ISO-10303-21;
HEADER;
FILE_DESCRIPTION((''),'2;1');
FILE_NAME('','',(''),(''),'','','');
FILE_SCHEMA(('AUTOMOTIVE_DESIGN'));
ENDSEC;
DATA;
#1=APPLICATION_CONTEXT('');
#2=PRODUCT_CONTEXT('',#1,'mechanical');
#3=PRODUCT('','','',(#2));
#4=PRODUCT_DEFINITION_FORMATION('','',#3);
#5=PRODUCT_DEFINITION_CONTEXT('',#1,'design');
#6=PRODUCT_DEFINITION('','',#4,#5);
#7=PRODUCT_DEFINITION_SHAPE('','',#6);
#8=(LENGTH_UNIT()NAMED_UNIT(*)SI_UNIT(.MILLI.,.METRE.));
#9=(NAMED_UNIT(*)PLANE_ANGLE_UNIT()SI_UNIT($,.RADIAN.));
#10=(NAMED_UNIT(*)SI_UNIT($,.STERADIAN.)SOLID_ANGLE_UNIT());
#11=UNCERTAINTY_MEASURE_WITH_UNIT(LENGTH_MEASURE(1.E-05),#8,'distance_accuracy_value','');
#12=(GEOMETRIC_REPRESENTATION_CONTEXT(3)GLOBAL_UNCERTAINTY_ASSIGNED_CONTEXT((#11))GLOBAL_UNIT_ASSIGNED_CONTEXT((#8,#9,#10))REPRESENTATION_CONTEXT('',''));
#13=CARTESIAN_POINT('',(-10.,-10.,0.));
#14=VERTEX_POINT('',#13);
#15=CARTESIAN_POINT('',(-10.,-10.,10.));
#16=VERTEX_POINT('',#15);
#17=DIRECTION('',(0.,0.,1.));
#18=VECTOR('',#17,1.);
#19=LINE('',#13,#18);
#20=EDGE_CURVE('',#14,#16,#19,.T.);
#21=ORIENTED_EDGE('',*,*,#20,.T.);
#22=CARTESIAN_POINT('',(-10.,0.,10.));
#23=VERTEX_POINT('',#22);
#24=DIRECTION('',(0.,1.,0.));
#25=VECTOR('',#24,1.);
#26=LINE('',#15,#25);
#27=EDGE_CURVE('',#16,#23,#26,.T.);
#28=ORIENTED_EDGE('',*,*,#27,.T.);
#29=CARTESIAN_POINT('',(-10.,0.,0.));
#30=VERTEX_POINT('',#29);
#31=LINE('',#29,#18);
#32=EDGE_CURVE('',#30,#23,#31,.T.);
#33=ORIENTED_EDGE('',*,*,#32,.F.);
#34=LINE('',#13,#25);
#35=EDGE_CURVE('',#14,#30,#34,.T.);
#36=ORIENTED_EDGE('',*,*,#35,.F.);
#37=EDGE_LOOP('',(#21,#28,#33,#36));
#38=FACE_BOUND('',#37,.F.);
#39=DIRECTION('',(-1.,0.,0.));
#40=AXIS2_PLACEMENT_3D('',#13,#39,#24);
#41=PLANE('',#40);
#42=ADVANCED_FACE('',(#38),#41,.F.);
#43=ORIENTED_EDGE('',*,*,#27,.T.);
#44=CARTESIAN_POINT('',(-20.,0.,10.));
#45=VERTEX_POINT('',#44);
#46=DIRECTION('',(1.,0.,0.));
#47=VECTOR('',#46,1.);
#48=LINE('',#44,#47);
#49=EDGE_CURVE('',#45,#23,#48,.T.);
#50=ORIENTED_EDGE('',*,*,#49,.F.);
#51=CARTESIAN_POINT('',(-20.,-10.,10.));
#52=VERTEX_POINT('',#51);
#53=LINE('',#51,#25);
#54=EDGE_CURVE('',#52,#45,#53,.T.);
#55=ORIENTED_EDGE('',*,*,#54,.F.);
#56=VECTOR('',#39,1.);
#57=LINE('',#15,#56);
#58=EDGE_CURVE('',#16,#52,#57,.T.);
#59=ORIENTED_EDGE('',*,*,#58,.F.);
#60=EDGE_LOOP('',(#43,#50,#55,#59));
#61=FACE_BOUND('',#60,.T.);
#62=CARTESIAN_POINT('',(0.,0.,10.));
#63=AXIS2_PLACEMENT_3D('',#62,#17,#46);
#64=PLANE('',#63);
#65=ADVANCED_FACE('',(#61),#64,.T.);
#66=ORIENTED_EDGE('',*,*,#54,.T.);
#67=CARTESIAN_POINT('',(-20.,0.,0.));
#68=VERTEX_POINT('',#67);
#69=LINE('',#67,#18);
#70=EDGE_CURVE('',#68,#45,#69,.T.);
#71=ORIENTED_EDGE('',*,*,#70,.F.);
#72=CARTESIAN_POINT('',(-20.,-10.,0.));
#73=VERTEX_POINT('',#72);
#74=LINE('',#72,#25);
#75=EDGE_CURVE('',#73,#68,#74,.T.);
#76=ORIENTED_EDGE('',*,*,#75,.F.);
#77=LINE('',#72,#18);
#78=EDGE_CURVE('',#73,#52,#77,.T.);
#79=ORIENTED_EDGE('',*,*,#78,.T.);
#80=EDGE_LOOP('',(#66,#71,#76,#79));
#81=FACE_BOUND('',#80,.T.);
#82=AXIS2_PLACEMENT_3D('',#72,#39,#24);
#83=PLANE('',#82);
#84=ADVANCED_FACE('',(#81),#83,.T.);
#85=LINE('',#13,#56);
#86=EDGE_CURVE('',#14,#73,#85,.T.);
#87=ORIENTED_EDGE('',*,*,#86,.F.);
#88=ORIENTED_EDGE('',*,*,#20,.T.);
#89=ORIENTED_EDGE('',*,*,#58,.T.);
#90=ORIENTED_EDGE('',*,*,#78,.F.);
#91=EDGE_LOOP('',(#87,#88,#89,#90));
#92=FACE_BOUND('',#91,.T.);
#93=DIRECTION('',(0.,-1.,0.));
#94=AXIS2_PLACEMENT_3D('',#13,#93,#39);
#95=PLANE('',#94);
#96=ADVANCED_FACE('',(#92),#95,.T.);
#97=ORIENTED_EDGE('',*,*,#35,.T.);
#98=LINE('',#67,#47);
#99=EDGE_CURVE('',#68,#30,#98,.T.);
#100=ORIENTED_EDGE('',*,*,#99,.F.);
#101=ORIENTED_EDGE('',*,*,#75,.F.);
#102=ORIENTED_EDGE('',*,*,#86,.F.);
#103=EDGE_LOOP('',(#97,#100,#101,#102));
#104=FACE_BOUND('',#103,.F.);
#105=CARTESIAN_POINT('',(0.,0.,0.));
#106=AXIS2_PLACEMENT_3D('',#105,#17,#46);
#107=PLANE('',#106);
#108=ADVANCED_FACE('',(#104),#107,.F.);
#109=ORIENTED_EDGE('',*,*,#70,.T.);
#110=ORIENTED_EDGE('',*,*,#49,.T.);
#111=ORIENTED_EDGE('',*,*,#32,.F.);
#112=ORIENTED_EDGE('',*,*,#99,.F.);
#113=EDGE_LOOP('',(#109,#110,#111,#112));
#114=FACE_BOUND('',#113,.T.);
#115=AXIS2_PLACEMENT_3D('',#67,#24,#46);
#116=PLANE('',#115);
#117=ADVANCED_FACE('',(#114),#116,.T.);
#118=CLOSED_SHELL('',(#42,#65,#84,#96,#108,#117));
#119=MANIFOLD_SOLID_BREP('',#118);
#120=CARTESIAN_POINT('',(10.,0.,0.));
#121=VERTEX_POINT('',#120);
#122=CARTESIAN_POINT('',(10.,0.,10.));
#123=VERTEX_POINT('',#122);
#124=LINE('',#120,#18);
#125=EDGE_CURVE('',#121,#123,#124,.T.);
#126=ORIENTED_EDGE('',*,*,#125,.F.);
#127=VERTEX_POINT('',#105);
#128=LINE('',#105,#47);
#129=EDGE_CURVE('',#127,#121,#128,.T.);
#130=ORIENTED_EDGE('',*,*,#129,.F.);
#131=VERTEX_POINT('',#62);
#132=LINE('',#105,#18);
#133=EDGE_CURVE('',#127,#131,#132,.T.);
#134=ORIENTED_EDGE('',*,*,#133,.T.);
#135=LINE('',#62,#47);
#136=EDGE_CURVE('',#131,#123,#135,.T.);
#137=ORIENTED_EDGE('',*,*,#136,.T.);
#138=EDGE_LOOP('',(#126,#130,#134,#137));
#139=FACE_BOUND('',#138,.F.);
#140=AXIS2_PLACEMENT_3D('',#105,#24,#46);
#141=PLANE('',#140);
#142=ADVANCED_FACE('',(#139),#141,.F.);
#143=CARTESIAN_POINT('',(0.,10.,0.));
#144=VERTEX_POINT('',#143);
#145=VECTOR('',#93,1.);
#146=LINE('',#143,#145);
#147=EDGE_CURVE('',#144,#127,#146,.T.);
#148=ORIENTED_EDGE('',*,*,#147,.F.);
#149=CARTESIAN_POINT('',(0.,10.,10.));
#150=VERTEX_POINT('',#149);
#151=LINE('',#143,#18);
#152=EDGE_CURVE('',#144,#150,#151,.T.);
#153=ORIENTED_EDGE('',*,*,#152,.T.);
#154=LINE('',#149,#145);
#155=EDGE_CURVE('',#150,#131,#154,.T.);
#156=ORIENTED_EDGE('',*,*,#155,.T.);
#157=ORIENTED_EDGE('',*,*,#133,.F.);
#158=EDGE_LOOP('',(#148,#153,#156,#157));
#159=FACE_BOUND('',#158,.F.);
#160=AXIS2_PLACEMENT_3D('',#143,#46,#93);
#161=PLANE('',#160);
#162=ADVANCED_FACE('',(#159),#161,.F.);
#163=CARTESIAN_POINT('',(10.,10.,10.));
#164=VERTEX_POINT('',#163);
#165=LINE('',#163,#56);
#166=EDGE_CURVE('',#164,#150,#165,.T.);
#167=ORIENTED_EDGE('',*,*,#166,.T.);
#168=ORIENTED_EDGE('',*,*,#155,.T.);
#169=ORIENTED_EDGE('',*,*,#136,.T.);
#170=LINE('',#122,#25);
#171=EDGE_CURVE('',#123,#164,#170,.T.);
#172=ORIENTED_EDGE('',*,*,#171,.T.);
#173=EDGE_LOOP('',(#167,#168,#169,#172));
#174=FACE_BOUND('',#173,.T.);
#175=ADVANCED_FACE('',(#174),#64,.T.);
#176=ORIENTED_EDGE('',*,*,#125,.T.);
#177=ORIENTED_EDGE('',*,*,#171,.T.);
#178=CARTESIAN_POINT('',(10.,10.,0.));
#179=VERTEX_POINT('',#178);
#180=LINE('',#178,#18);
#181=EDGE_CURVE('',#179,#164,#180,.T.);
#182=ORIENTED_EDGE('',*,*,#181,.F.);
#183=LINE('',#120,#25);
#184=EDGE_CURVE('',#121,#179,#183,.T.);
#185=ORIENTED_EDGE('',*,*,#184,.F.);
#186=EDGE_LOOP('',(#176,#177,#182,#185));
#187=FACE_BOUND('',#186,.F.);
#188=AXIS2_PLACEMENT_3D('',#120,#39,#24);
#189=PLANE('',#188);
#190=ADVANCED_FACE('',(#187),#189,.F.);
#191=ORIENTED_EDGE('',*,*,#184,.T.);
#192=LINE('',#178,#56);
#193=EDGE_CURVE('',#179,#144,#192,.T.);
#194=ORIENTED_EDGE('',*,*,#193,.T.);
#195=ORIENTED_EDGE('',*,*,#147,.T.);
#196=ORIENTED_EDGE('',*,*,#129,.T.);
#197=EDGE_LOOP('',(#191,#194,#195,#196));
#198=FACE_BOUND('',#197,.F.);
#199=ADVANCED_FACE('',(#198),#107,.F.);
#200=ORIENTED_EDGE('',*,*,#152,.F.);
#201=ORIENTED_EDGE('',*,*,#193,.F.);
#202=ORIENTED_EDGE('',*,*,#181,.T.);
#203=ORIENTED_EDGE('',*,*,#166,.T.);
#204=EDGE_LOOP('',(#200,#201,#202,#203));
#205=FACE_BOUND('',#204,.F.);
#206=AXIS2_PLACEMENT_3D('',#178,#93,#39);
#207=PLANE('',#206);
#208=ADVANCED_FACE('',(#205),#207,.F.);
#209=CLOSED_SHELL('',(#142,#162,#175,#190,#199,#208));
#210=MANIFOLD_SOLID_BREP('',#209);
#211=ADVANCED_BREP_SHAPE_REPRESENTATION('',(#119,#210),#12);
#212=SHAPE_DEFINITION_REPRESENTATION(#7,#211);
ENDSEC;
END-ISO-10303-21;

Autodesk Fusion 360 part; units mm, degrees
sketch "Sketch1" plane through (0, 0, 0) normal (0, 0, 1) x (1, 0, 0)
  line L0 (0, 0) -> (-10, 0)
  line L1 (-10, 0) -> (-10, 10)
  line L2 (-10, 10) -> (0, 10)
  line L3 (0, 10) -> (0, 0)
  line L4 (0, 0) -> (10, 0)
  line L5 (10, 0) -> (10, 10)
  line L6 (10, 10) -> (0, 10)
  line L7 (0, 10) -> (0, 0)
  line L8 (-10, 10) -> (0, 10)
  line L9 (0, 10) -> (0, -10)
  line L10 (0, -10) -> (-10, -10)
  line L11 (-10, -10) -> (-10, 10)
  line L12 (-10, -10) -> (-20, -10)
  line L13 (-20, -10) -> (-20, 0)
  line L14 (-20, 0) -> (-10, 0)
  line L15 (-10, 0) -> (-10, -10)
extrude "Extrude1" add sketch "Sketch1" along normal blind 10 contours L3 L4 L5 L6 L7 L9 makes body 1
extrude "Extrude4" add sketch "Sketch1" along normal blind 10 separate body contours L11 L12 L13 L14 L15 makes body 2
